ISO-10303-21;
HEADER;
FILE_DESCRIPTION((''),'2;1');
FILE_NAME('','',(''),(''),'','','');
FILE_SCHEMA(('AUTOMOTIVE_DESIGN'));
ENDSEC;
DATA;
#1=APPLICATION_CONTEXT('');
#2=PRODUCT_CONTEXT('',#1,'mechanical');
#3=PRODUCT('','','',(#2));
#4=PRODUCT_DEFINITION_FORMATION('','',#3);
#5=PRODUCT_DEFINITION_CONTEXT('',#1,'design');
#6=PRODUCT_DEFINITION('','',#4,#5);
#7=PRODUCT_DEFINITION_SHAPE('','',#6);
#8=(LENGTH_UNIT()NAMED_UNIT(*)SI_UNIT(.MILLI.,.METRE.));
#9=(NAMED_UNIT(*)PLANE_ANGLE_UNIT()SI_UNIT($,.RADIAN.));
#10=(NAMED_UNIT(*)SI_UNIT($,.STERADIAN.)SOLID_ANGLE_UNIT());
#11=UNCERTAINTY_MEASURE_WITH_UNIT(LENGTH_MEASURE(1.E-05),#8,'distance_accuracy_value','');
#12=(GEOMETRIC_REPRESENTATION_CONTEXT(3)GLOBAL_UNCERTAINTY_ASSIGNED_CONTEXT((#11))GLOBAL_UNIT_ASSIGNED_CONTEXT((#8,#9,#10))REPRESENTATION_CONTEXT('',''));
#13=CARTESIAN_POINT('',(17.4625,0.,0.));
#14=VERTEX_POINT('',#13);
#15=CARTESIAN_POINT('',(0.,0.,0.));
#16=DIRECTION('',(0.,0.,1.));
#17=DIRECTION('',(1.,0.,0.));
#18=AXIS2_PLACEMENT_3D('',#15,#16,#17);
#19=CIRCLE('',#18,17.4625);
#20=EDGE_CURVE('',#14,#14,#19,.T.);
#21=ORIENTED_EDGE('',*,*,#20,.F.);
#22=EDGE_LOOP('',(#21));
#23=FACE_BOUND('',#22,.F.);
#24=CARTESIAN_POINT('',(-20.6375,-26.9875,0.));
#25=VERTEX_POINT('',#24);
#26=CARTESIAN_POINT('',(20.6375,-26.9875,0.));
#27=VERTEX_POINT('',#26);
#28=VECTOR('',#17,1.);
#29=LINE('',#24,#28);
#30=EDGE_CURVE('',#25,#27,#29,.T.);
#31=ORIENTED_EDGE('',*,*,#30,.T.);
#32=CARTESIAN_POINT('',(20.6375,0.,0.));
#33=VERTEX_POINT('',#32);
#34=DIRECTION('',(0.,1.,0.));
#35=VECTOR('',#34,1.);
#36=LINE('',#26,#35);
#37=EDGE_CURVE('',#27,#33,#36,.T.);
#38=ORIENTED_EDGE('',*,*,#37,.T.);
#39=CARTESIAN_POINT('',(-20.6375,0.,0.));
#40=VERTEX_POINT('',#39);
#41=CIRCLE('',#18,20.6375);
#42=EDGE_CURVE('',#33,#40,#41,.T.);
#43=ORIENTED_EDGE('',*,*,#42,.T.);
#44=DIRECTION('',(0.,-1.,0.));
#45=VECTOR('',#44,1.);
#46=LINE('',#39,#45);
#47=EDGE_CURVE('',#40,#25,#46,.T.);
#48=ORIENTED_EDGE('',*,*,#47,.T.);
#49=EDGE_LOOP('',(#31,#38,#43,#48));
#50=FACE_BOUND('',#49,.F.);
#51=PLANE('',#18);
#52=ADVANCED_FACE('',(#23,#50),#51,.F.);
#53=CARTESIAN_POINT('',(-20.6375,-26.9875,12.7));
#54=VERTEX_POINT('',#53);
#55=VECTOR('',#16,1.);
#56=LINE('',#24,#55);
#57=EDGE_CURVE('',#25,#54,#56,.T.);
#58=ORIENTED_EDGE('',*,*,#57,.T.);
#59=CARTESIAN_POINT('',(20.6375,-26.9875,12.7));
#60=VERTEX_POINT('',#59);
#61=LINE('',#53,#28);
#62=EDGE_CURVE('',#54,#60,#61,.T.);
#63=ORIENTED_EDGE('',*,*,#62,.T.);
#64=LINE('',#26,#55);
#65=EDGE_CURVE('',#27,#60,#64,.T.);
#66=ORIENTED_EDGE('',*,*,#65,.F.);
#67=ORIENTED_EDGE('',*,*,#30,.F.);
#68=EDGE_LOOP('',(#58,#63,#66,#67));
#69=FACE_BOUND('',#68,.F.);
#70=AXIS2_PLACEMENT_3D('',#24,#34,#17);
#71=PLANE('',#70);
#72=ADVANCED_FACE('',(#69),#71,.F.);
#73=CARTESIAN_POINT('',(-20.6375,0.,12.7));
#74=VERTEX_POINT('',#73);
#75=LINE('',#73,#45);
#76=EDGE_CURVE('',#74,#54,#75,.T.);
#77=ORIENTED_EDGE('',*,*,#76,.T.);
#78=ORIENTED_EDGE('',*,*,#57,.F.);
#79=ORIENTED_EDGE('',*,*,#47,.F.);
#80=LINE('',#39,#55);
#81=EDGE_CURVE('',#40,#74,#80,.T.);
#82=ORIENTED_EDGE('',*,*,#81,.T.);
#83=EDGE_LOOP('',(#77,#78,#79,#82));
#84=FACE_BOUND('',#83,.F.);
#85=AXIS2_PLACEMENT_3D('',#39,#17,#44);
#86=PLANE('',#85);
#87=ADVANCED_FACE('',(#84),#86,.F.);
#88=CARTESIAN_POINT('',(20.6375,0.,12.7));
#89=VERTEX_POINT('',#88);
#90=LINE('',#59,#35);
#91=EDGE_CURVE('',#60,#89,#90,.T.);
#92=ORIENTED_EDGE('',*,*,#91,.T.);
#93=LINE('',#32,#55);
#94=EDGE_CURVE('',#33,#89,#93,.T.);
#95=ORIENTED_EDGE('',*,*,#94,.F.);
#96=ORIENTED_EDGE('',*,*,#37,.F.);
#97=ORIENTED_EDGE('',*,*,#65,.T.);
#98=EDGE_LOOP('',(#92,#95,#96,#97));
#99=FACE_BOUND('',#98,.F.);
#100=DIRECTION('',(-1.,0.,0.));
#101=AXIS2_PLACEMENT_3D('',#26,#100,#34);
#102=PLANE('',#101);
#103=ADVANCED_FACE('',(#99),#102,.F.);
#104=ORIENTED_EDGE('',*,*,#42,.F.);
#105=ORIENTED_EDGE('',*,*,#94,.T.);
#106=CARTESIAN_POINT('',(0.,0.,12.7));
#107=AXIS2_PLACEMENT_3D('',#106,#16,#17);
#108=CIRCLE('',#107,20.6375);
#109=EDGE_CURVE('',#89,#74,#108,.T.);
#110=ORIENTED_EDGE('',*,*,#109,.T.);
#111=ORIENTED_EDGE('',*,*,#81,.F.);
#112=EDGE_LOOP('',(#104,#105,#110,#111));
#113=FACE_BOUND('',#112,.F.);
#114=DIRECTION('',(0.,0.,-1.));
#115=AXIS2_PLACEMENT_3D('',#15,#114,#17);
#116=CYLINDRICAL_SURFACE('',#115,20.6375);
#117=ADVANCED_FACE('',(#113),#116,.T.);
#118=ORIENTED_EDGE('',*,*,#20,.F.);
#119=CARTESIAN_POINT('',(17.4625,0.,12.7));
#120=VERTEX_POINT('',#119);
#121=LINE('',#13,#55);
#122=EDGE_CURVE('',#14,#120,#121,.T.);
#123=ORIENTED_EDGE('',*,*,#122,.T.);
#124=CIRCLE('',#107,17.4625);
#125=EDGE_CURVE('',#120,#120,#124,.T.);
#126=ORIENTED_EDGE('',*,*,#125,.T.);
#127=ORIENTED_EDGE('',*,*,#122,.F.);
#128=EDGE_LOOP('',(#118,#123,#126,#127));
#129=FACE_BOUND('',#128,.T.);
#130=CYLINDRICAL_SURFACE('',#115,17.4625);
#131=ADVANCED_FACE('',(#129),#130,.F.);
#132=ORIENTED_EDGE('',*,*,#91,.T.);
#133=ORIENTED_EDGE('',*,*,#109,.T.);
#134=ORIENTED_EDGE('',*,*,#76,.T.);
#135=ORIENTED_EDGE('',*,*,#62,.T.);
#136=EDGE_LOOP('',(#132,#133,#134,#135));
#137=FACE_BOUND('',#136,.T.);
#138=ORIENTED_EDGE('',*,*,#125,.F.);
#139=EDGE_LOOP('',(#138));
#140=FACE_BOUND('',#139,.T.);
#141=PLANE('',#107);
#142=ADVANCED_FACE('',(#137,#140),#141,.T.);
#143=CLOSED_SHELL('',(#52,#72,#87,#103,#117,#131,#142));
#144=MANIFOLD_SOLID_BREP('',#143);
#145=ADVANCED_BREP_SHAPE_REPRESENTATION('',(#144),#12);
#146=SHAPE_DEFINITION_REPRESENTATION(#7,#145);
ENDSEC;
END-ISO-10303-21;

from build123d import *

# Parameters (mm, degrees)
F0_R     = 17.4625
F1_DEPTH = 12.7


with BuildPart() as f1:
    # F0 (on Top) → F1 (new body)
    with BuildSketch(Plane.XY):
        with BuildLine():
            ThreePointArc((-20.6375, 0), (0, -20.6375), (20.6375, 0))
            ThreePointArc((20.6375, 0), (0, 20.6375), (-20.6375, 0))
        make_face()
        Circle(F0_R, mode=Mode.SUBTRACT)
        with BuildLine():
            Line((20.6375, -26.9875), (20.6375, 0))
            ThreePointArc((20.6375, 0), (0, -20.6375), (-20.6375, 0))
            Line((-20.6375, 0), (-20.6375, -26.9875))
            Line((-20.6375, -26.9875), (0, -26.9875))
            Line((0, -26.9875), (20.6375, -26.9875))
        make_face()
    extrude(amount=F1_DEPTH)


solid = f1.part
